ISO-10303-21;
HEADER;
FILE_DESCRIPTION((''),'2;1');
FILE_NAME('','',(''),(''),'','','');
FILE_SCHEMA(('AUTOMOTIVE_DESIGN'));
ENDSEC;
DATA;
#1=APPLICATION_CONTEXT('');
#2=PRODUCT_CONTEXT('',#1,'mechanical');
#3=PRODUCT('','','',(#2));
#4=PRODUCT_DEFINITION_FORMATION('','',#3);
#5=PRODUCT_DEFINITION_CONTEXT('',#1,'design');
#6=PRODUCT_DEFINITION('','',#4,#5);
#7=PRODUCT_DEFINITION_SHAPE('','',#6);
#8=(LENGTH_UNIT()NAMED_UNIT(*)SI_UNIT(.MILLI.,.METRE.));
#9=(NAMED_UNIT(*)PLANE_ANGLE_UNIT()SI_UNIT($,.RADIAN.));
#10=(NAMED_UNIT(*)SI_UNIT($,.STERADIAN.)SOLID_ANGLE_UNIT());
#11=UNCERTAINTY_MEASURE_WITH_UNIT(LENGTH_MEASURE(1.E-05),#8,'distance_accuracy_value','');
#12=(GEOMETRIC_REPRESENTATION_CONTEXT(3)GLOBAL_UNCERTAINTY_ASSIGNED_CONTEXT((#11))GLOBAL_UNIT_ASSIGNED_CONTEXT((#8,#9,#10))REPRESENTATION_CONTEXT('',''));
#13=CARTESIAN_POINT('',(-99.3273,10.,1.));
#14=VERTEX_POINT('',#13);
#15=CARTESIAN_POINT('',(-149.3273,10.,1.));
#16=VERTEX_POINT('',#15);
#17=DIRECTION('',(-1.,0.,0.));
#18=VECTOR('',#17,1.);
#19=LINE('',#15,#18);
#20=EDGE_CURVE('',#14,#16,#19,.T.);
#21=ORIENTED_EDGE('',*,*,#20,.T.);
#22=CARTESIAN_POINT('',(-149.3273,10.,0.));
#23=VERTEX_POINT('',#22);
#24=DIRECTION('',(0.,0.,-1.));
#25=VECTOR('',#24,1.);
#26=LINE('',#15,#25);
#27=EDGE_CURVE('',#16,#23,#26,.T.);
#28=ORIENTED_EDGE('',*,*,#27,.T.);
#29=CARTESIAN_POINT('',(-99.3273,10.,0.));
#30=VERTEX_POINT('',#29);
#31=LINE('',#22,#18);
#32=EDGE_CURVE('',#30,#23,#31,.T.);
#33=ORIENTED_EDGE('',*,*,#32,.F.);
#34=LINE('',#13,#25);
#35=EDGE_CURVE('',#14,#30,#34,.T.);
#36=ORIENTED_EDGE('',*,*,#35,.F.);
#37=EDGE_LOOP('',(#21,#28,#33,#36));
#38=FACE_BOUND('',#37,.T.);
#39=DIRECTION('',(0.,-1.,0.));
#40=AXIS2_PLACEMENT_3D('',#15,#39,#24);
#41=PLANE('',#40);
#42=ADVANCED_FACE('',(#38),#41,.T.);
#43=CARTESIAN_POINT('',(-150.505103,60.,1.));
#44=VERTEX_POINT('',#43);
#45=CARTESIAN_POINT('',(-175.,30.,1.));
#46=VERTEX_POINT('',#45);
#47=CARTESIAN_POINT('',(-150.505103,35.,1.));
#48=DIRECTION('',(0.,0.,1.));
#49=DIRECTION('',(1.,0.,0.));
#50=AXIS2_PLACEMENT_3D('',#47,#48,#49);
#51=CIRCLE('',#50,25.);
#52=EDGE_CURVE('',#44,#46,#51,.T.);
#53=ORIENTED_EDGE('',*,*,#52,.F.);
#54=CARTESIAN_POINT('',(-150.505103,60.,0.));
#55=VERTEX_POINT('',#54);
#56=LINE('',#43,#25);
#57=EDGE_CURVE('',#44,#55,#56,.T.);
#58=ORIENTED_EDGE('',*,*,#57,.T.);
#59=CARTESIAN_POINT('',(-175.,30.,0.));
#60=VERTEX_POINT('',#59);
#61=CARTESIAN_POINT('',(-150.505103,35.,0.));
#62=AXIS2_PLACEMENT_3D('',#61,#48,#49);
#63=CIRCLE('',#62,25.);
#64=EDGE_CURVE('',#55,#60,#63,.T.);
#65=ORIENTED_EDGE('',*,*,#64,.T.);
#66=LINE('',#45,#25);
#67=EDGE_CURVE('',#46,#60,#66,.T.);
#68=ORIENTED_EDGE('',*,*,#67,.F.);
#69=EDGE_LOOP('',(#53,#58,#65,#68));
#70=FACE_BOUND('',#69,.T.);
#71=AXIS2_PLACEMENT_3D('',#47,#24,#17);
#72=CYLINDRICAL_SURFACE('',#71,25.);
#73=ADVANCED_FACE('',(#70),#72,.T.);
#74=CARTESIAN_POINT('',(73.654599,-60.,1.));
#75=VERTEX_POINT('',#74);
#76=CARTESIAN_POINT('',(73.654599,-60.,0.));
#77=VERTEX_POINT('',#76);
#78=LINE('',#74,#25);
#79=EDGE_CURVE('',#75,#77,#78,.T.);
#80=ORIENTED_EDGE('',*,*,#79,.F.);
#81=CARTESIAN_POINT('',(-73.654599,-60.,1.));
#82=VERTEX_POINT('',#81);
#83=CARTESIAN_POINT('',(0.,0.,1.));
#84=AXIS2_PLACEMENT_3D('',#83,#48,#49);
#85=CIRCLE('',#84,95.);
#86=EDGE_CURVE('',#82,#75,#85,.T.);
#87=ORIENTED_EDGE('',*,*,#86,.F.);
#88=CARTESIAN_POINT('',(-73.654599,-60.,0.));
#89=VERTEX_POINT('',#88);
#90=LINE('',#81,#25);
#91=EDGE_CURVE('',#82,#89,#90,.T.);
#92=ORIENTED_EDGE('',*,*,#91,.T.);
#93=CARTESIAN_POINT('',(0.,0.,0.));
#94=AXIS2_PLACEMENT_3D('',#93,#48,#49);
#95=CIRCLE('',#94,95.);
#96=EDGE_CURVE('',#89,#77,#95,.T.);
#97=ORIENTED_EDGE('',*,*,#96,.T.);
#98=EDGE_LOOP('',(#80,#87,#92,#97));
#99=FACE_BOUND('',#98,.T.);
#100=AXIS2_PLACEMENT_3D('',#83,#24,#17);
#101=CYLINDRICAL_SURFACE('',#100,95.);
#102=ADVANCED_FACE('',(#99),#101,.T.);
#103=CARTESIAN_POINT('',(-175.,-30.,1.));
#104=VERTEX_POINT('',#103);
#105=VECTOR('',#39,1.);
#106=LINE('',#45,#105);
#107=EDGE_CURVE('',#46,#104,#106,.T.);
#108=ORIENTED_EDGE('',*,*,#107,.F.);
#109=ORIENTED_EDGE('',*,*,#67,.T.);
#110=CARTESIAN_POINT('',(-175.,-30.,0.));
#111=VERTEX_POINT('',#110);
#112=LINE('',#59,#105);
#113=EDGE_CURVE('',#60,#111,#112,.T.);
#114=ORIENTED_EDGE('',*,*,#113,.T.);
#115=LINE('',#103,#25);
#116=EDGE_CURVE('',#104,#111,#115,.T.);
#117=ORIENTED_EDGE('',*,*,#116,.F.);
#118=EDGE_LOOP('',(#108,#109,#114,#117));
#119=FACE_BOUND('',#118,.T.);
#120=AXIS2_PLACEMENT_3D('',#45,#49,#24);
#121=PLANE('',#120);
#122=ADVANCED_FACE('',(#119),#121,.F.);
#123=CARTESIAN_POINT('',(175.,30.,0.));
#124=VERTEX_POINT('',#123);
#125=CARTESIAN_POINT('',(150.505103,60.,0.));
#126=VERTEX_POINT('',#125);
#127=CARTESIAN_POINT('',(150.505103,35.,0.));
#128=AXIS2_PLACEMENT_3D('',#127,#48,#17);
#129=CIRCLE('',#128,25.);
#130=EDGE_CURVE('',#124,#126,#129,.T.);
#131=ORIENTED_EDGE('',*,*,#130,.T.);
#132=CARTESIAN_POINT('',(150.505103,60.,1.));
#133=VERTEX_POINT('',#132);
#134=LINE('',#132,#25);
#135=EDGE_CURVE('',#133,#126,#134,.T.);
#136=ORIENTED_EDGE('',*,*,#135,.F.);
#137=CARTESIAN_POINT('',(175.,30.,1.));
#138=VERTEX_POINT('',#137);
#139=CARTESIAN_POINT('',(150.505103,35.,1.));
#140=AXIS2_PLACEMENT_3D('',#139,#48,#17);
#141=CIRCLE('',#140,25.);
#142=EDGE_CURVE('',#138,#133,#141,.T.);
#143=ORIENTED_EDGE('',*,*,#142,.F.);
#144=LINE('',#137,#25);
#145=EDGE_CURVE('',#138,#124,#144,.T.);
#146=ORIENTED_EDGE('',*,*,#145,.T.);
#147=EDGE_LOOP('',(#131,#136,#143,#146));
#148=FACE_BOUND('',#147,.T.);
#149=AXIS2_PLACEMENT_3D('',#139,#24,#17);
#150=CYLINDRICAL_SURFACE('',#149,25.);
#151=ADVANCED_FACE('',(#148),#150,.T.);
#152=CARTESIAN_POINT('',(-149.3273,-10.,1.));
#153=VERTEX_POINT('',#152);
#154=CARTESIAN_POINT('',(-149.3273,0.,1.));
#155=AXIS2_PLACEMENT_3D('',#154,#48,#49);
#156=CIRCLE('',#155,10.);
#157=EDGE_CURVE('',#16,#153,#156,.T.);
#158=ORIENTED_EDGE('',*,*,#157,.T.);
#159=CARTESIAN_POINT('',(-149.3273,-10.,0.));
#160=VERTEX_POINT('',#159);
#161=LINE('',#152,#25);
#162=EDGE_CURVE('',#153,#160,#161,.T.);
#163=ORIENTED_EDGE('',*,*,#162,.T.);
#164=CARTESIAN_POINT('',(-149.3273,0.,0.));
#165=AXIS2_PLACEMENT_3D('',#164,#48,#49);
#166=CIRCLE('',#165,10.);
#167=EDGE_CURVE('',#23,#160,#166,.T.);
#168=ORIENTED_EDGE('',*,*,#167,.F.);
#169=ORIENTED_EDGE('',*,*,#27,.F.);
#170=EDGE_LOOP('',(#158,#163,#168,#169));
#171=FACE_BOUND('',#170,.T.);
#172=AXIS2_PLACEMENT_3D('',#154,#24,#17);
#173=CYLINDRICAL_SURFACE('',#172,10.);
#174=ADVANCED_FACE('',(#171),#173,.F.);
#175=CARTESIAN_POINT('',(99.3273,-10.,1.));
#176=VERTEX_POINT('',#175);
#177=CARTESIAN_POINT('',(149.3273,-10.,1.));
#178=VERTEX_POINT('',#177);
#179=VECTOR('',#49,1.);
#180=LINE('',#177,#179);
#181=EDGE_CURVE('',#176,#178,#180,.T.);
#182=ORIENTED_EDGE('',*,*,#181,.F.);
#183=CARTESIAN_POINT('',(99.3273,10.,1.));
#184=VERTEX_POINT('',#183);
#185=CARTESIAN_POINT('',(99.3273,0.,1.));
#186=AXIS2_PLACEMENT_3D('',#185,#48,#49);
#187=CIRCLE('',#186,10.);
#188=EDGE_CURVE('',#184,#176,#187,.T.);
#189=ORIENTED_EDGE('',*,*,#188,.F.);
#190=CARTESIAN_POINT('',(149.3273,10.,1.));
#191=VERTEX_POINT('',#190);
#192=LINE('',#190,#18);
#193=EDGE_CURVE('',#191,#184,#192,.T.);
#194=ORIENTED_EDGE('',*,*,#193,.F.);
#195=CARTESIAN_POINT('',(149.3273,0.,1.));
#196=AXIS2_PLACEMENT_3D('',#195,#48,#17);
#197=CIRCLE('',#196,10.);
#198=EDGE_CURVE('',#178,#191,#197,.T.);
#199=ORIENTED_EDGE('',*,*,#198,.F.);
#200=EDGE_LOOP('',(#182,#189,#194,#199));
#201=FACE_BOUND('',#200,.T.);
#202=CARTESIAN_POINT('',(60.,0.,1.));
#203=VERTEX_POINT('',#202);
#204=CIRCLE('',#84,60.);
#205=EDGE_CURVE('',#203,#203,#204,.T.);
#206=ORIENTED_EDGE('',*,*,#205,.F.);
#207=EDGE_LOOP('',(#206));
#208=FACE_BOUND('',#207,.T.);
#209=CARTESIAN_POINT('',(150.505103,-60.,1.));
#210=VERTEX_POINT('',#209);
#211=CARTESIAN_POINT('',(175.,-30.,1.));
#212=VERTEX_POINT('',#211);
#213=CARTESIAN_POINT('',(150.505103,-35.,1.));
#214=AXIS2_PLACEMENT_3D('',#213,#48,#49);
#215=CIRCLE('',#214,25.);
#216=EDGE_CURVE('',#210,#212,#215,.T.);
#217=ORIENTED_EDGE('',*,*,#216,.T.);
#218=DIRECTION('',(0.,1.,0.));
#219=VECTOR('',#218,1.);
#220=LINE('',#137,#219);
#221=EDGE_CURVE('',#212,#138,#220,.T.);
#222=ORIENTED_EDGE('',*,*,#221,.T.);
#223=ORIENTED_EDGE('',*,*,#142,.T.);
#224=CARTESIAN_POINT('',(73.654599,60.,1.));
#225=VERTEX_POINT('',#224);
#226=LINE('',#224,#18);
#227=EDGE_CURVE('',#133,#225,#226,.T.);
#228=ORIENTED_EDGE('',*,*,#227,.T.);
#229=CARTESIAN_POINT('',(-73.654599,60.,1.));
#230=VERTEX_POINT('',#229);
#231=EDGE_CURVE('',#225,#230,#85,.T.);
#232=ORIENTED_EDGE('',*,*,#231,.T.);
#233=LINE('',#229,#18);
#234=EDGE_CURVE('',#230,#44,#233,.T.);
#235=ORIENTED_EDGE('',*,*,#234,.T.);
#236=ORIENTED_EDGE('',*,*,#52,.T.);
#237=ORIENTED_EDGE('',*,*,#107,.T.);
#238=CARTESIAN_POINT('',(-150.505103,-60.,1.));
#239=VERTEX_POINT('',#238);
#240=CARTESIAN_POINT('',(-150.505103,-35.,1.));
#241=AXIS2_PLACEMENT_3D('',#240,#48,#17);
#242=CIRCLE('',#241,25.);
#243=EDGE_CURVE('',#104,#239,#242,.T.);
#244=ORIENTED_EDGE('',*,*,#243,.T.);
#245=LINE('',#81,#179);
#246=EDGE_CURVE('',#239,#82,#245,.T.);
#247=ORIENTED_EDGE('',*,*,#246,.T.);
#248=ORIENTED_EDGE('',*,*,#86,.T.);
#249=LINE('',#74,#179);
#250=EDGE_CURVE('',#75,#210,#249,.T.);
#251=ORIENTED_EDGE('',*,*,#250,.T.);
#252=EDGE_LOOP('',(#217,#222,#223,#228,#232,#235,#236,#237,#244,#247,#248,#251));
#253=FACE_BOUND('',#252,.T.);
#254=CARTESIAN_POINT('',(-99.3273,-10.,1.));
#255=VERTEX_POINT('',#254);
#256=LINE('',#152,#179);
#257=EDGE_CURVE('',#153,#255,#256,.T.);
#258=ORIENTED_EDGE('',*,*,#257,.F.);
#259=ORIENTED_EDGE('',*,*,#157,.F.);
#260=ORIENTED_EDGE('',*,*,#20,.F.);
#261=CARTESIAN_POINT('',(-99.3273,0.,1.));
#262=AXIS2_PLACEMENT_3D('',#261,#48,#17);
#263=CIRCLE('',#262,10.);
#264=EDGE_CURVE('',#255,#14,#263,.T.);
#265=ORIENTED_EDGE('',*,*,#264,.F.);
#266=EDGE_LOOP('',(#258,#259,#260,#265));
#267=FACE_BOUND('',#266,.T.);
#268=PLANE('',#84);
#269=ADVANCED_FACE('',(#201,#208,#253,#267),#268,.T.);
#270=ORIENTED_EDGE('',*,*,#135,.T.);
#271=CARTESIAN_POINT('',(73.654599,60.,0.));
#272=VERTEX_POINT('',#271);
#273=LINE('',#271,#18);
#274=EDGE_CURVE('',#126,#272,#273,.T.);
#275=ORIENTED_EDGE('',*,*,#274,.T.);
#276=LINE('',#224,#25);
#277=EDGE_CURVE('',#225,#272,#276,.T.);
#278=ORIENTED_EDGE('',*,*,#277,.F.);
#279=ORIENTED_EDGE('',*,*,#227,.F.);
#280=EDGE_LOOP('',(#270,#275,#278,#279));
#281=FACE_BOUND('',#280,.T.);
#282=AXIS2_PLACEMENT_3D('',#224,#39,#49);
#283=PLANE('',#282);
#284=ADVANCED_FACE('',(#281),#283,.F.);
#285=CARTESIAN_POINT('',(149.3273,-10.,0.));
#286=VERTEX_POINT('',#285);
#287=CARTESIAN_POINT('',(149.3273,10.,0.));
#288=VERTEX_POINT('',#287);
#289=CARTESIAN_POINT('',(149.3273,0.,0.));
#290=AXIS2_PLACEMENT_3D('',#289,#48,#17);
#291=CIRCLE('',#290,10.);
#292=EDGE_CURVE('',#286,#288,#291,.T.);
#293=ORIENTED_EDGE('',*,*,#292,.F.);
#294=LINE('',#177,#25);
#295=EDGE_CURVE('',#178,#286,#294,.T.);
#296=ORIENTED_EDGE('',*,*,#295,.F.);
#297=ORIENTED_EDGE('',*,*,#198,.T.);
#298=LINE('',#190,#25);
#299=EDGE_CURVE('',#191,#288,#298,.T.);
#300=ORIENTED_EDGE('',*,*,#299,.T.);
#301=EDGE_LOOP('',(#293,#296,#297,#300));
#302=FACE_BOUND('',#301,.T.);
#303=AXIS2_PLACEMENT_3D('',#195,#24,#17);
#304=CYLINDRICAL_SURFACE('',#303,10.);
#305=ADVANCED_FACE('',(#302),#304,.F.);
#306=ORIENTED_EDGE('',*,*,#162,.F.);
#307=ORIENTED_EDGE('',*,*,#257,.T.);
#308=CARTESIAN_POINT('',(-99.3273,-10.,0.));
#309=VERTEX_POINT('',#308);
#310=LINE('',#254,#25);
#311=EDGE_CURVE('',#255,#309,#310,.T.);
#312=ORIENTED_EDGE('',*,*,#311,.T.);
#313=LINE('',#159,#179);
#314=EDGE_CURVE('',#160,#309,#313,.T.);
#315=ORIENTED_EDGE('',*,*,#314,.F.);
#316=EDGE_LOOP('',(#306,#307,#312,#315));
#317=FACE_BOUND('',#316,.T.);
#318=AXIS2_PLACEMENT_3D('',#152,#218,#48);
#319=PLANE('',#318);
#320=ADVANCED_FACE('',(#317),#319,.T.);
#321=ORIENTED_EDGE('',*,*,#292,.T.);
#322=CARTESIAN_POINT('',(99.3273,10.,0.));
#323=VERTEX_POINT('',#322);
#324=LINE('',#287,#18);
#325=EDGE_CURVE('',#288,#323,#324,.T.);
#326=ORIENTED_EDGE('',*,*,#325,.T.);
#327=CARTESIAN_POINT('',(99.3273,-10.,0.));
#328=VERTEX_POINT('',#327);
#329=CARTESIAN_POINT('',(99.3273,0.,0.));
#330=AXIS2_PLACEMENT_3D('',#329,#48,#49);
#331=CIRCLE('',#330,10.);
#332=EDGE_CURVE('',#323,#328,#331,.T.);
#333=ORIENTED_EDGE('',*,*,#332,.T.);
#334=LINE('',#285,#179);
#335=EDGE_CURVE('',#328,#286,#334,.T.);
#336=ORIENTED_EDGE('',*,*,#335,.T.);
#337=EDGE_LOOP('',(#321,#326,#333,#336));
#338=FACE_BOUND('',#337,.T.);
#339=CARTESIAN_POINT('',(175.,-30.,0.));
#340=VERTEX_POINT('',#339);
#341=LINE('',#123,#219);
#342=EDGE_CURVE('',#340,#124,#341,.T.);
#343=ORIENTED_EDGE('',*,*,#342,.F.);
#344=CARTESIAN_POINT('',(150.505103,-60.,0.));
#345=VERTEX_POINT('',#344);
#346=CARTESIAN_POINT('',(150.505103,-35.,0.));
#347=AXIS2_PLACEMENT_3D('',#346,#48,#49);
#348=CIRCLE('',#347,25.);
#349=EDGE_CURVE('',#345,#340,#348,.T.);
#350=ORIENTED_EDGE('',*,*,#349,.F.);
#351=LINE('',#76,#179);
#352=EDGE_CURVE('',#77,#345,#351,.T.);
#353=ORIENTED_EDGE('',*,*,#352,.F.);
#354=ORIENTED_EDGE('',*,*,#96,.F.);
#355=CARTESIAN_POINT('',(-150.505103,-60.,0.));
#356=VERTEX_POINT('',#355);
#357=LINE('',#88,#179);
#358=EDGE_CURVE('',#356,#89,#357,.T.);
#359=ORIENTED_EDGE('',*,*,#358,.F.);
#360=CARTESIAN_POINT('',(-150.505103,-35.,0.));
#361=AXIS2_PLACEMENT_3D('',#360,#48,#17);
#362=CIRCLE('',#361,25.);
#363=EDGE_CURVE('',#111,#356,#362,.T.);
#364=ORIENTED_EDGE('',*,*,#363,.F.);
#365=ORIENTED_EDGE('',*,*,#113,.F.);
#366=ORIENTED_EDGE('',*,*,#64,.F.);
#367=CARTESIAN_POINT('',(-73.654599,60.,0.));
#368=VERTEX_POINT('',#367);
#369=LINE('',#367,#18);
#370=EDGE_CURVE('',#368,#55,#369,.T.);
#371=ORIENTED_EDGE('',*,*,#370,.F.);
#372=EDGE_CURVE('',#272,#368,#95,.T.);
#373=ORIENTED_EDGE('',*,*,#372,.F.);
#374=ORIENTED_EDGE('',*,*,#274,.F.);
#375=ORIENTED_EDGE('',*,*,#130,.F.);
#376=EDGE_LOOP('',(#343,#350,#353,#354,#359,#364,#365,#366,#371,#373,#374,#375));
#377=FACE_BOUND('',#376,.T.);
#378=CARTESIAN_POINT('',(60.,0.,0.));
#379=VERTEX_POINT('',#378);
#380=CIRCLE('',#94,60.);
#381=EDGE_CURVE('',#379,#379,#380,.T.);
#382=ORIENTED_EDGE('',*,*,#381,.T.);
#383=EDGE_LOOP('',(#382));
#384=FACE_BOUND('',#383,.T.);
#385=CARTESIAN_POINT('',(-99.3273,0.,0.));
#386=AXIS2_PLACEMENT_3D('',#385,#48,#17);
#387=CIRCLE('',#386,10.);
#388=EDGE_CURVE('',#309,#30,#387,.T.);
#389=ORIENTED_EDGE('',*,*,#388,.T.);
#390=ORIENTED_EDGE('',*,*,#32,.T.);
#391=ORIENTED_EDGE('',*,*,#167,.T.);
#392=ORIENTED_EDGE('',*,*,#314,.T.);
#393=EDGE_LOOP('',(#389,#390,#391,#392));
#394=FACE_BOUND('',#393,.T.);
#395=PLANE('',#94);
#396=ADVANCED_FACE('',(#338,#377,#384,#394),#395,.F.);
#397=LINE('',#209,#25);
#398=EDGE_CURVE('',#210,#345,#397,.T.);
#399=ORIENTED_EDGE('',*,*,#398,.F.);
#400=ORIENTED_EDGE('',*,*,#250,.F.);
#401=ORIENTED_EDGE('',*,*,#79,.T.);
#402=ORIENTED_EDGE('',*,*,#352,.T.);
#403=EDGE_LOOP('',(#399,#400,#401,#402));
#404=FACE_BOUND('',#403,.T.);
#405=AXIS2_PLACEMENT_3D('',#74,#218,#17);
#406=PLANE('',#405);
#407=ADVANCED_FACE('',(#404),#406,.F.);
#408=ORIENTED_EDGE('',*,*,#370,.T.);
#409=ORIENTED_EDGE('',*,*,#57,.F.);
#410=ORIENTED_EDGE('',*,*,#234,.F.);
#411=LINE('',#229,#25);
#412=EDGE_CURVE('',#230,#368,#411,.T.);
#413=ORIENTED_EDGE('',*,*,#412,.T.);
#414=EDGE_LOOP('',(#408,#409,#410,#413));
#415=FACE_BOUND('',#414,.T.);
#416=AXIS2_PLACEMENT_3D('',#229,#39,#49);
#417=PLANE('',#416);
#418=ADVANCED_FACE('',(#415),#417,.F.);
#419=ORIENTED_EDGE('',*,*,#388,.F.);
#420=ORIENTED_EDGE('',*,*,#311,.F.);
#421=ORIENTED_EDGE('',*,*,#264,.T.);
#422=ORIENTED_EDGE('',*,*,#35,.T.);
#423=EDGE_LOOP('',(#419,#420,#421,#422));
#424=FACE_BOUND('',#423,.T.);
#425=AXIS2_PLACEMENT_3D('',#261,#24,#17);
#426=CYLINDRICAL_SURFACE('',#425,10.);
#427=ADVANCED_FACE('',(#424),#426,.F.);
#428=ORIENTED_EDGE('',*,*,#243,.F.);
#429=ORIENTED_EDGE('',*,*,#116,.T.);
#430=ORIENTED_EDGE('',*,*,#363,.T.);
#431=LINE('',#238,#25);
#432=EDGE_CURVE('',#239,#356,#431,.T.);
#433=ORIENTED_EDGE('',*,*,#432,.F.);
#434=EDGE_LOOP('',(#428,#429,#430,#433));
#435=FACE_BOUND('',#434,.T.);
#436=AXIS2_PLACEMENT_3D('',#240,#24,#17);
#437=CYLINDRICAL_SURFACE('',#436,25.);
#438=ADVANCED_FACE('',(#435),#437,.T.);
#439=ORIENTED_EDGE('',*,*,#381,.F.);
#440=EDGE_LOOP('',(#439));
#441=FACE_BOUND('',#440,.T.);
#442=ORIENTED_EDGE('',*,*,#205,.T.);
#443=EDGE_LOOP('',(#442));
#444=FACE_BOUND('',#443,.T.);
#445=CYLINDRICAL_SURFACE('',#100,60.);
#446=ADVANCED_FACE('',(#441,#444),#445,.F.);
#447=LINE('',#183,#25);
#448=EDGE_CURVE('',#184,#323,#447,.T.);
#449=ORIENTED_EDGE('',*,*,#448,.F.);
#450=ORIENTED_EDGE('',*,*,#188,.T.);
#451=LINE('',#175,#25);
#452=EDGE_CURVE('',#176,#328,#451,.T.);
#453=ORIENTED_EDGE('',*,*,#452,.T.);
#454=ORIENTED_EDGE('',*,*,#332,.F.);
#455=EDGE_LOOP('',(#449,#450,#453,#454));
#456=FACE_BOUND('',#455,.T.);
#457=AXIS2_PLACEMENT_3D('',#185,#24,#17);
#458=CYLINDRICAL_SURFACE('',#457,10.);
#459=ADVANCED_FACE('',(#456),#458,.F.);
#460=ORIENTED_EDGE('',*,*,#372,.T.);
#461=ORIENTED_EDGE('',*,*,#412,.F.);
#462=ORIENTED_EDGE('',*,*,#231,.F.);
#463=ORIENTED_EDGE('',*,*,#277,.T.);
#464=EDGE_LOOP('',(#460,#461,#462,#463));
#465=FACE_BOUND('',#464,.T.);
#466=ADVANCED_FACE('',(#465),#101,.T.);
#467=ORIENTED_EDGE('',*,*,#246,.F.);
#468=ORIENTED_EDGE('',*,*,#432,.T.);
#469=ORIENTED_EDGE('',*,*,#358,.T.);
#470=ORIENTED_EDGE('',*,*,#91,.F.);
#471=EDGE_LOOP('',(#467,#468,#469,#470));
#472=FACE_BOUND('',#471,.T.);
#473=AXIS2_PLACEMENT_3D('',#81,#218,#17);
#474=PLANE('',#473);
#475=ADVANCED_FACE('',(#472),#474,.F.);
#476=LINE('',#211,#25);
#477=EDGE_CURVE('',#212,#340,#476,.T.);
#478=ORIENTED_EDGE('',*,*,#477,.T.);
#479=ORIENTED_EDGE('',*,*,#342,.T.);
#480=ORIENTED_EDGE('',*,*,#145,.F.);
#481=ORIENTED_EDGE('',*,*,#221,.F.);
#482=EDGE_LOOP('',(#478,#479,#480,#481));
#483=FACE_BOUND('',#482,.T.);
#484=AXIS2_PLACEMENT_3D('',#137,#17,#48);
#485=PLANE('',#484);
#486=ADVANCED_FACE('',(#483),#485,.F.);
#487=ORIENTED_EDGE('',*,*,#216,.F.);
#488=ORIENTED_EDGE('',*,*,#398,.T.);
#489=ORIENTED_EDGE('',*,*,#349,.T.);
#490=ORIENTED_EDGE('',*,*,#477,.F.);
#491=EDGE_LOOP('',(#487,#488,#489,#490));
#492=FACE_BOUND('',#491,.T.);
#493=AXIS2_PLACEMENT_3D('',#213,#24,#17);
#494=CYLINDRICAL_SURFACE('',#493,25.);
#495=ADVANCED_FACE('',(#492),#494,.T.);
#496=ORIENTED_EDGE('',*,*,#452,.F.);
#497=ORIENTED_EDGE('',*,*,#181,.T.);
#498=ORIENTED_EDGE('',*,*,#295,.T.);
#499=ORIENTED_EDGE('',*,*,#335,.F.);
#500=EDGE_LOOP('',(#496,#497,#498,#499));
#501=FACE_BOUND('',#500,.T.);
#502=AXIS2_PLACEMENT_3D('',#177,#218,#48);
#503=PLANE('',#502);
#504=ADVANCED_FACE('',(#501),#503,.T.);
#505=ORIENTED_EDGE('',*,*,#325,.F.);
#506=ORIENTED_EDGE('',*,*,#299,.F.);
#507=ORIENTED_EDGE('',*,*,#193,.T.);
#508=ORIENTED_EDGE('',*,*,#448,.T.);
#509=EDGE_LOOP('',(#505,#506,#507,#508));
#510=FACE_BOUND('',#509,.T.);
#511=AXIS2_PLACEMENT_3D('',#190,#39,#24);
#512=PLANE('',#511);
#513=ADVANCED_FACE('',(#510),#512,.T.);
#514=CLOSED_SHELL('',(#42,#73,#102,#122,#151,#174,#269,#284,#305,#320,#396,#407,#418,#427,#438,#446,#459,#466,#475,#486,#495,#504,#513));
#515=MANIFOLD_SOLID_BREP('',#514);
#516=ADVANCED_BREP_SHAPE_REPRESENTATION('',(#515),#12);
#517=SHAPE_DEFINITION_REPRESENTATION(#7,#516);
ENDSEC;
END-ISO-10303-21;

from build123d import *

# Parameters (mm, degrees)
SKETCH1_R           = 60
BOSS_EXTRUDE1_DEPTH = 1


with BuildPart() as part:
    # Sketch1 → Boss-Extrude1 (new body)
    with BuildSketch(Plane.XY):
        with BuildLine():
            Line((-73.654599313, 60), (-150.505102572, 60))
            ThreePointArc((-150.505102572, 60), (-169.870019303, 50.811388301), (-175, 30))
            Line((-175, 30), (-175, -30))
            ThreePointArc((-175, -30), (-169.870019303, -50.811388301), (-150.505102572, -60))
            Line((-150.505102572, -60), (-73.654599313, -60))
            ThreePointArc((-73.654599313, -60), (0, -95), (73.654599313, -60))
            Line((73.654599313, -60), (150.505102572, -60))
            ThreePointArc((150.505102572, -60), (169.870019303, -50.811388301), (175, -30))
            Line((175, -30), (175, 30))
            ThreePointArc((175, 30), (169.870019303, 50.811388301), (150.505102572, 60))
            Line((150.505102572, 60), (73.654599313, 60))
            ThreePointArc((73.654599313, 60), (0, 95), (-73.654599313, 60))
        make_face()
        Circle(SKETCH1_R, mode=Mode.SUBTRACT)
        with BuildLine():
            Line((-149.327299657, 10), (-99.327299657, 10))
            ThreePointArc((-99.327299657, 10), (-89.327299657, 0), (-99.327299657, -10))
            Line((-99.327299657, -10), (-149.327299657, -10))
            ThreePointArc((-149.327299657, -10), (-159.327299657, 0), (-149.327299657, 10))
        make_face(mode=Mode.SUBTRACT)
        with BuildLine():
            Line((149.327299657, -10), (99.327299657, -10))
            ThreePointArc((99.327299657, -10), (89.327299657, 0), (99.327299657, 10))
            Line((99.327299657, 10), (149.327299657, 10))
            ThreePointArc((149.327299657, 10), (159.327299657, 0), (149.327299657, -10))
        make_face(mode=Mode.SUBTRACT)
    extrude(amount=BOSS_EXTRUDE1_DEPTH)


solid = part.part
